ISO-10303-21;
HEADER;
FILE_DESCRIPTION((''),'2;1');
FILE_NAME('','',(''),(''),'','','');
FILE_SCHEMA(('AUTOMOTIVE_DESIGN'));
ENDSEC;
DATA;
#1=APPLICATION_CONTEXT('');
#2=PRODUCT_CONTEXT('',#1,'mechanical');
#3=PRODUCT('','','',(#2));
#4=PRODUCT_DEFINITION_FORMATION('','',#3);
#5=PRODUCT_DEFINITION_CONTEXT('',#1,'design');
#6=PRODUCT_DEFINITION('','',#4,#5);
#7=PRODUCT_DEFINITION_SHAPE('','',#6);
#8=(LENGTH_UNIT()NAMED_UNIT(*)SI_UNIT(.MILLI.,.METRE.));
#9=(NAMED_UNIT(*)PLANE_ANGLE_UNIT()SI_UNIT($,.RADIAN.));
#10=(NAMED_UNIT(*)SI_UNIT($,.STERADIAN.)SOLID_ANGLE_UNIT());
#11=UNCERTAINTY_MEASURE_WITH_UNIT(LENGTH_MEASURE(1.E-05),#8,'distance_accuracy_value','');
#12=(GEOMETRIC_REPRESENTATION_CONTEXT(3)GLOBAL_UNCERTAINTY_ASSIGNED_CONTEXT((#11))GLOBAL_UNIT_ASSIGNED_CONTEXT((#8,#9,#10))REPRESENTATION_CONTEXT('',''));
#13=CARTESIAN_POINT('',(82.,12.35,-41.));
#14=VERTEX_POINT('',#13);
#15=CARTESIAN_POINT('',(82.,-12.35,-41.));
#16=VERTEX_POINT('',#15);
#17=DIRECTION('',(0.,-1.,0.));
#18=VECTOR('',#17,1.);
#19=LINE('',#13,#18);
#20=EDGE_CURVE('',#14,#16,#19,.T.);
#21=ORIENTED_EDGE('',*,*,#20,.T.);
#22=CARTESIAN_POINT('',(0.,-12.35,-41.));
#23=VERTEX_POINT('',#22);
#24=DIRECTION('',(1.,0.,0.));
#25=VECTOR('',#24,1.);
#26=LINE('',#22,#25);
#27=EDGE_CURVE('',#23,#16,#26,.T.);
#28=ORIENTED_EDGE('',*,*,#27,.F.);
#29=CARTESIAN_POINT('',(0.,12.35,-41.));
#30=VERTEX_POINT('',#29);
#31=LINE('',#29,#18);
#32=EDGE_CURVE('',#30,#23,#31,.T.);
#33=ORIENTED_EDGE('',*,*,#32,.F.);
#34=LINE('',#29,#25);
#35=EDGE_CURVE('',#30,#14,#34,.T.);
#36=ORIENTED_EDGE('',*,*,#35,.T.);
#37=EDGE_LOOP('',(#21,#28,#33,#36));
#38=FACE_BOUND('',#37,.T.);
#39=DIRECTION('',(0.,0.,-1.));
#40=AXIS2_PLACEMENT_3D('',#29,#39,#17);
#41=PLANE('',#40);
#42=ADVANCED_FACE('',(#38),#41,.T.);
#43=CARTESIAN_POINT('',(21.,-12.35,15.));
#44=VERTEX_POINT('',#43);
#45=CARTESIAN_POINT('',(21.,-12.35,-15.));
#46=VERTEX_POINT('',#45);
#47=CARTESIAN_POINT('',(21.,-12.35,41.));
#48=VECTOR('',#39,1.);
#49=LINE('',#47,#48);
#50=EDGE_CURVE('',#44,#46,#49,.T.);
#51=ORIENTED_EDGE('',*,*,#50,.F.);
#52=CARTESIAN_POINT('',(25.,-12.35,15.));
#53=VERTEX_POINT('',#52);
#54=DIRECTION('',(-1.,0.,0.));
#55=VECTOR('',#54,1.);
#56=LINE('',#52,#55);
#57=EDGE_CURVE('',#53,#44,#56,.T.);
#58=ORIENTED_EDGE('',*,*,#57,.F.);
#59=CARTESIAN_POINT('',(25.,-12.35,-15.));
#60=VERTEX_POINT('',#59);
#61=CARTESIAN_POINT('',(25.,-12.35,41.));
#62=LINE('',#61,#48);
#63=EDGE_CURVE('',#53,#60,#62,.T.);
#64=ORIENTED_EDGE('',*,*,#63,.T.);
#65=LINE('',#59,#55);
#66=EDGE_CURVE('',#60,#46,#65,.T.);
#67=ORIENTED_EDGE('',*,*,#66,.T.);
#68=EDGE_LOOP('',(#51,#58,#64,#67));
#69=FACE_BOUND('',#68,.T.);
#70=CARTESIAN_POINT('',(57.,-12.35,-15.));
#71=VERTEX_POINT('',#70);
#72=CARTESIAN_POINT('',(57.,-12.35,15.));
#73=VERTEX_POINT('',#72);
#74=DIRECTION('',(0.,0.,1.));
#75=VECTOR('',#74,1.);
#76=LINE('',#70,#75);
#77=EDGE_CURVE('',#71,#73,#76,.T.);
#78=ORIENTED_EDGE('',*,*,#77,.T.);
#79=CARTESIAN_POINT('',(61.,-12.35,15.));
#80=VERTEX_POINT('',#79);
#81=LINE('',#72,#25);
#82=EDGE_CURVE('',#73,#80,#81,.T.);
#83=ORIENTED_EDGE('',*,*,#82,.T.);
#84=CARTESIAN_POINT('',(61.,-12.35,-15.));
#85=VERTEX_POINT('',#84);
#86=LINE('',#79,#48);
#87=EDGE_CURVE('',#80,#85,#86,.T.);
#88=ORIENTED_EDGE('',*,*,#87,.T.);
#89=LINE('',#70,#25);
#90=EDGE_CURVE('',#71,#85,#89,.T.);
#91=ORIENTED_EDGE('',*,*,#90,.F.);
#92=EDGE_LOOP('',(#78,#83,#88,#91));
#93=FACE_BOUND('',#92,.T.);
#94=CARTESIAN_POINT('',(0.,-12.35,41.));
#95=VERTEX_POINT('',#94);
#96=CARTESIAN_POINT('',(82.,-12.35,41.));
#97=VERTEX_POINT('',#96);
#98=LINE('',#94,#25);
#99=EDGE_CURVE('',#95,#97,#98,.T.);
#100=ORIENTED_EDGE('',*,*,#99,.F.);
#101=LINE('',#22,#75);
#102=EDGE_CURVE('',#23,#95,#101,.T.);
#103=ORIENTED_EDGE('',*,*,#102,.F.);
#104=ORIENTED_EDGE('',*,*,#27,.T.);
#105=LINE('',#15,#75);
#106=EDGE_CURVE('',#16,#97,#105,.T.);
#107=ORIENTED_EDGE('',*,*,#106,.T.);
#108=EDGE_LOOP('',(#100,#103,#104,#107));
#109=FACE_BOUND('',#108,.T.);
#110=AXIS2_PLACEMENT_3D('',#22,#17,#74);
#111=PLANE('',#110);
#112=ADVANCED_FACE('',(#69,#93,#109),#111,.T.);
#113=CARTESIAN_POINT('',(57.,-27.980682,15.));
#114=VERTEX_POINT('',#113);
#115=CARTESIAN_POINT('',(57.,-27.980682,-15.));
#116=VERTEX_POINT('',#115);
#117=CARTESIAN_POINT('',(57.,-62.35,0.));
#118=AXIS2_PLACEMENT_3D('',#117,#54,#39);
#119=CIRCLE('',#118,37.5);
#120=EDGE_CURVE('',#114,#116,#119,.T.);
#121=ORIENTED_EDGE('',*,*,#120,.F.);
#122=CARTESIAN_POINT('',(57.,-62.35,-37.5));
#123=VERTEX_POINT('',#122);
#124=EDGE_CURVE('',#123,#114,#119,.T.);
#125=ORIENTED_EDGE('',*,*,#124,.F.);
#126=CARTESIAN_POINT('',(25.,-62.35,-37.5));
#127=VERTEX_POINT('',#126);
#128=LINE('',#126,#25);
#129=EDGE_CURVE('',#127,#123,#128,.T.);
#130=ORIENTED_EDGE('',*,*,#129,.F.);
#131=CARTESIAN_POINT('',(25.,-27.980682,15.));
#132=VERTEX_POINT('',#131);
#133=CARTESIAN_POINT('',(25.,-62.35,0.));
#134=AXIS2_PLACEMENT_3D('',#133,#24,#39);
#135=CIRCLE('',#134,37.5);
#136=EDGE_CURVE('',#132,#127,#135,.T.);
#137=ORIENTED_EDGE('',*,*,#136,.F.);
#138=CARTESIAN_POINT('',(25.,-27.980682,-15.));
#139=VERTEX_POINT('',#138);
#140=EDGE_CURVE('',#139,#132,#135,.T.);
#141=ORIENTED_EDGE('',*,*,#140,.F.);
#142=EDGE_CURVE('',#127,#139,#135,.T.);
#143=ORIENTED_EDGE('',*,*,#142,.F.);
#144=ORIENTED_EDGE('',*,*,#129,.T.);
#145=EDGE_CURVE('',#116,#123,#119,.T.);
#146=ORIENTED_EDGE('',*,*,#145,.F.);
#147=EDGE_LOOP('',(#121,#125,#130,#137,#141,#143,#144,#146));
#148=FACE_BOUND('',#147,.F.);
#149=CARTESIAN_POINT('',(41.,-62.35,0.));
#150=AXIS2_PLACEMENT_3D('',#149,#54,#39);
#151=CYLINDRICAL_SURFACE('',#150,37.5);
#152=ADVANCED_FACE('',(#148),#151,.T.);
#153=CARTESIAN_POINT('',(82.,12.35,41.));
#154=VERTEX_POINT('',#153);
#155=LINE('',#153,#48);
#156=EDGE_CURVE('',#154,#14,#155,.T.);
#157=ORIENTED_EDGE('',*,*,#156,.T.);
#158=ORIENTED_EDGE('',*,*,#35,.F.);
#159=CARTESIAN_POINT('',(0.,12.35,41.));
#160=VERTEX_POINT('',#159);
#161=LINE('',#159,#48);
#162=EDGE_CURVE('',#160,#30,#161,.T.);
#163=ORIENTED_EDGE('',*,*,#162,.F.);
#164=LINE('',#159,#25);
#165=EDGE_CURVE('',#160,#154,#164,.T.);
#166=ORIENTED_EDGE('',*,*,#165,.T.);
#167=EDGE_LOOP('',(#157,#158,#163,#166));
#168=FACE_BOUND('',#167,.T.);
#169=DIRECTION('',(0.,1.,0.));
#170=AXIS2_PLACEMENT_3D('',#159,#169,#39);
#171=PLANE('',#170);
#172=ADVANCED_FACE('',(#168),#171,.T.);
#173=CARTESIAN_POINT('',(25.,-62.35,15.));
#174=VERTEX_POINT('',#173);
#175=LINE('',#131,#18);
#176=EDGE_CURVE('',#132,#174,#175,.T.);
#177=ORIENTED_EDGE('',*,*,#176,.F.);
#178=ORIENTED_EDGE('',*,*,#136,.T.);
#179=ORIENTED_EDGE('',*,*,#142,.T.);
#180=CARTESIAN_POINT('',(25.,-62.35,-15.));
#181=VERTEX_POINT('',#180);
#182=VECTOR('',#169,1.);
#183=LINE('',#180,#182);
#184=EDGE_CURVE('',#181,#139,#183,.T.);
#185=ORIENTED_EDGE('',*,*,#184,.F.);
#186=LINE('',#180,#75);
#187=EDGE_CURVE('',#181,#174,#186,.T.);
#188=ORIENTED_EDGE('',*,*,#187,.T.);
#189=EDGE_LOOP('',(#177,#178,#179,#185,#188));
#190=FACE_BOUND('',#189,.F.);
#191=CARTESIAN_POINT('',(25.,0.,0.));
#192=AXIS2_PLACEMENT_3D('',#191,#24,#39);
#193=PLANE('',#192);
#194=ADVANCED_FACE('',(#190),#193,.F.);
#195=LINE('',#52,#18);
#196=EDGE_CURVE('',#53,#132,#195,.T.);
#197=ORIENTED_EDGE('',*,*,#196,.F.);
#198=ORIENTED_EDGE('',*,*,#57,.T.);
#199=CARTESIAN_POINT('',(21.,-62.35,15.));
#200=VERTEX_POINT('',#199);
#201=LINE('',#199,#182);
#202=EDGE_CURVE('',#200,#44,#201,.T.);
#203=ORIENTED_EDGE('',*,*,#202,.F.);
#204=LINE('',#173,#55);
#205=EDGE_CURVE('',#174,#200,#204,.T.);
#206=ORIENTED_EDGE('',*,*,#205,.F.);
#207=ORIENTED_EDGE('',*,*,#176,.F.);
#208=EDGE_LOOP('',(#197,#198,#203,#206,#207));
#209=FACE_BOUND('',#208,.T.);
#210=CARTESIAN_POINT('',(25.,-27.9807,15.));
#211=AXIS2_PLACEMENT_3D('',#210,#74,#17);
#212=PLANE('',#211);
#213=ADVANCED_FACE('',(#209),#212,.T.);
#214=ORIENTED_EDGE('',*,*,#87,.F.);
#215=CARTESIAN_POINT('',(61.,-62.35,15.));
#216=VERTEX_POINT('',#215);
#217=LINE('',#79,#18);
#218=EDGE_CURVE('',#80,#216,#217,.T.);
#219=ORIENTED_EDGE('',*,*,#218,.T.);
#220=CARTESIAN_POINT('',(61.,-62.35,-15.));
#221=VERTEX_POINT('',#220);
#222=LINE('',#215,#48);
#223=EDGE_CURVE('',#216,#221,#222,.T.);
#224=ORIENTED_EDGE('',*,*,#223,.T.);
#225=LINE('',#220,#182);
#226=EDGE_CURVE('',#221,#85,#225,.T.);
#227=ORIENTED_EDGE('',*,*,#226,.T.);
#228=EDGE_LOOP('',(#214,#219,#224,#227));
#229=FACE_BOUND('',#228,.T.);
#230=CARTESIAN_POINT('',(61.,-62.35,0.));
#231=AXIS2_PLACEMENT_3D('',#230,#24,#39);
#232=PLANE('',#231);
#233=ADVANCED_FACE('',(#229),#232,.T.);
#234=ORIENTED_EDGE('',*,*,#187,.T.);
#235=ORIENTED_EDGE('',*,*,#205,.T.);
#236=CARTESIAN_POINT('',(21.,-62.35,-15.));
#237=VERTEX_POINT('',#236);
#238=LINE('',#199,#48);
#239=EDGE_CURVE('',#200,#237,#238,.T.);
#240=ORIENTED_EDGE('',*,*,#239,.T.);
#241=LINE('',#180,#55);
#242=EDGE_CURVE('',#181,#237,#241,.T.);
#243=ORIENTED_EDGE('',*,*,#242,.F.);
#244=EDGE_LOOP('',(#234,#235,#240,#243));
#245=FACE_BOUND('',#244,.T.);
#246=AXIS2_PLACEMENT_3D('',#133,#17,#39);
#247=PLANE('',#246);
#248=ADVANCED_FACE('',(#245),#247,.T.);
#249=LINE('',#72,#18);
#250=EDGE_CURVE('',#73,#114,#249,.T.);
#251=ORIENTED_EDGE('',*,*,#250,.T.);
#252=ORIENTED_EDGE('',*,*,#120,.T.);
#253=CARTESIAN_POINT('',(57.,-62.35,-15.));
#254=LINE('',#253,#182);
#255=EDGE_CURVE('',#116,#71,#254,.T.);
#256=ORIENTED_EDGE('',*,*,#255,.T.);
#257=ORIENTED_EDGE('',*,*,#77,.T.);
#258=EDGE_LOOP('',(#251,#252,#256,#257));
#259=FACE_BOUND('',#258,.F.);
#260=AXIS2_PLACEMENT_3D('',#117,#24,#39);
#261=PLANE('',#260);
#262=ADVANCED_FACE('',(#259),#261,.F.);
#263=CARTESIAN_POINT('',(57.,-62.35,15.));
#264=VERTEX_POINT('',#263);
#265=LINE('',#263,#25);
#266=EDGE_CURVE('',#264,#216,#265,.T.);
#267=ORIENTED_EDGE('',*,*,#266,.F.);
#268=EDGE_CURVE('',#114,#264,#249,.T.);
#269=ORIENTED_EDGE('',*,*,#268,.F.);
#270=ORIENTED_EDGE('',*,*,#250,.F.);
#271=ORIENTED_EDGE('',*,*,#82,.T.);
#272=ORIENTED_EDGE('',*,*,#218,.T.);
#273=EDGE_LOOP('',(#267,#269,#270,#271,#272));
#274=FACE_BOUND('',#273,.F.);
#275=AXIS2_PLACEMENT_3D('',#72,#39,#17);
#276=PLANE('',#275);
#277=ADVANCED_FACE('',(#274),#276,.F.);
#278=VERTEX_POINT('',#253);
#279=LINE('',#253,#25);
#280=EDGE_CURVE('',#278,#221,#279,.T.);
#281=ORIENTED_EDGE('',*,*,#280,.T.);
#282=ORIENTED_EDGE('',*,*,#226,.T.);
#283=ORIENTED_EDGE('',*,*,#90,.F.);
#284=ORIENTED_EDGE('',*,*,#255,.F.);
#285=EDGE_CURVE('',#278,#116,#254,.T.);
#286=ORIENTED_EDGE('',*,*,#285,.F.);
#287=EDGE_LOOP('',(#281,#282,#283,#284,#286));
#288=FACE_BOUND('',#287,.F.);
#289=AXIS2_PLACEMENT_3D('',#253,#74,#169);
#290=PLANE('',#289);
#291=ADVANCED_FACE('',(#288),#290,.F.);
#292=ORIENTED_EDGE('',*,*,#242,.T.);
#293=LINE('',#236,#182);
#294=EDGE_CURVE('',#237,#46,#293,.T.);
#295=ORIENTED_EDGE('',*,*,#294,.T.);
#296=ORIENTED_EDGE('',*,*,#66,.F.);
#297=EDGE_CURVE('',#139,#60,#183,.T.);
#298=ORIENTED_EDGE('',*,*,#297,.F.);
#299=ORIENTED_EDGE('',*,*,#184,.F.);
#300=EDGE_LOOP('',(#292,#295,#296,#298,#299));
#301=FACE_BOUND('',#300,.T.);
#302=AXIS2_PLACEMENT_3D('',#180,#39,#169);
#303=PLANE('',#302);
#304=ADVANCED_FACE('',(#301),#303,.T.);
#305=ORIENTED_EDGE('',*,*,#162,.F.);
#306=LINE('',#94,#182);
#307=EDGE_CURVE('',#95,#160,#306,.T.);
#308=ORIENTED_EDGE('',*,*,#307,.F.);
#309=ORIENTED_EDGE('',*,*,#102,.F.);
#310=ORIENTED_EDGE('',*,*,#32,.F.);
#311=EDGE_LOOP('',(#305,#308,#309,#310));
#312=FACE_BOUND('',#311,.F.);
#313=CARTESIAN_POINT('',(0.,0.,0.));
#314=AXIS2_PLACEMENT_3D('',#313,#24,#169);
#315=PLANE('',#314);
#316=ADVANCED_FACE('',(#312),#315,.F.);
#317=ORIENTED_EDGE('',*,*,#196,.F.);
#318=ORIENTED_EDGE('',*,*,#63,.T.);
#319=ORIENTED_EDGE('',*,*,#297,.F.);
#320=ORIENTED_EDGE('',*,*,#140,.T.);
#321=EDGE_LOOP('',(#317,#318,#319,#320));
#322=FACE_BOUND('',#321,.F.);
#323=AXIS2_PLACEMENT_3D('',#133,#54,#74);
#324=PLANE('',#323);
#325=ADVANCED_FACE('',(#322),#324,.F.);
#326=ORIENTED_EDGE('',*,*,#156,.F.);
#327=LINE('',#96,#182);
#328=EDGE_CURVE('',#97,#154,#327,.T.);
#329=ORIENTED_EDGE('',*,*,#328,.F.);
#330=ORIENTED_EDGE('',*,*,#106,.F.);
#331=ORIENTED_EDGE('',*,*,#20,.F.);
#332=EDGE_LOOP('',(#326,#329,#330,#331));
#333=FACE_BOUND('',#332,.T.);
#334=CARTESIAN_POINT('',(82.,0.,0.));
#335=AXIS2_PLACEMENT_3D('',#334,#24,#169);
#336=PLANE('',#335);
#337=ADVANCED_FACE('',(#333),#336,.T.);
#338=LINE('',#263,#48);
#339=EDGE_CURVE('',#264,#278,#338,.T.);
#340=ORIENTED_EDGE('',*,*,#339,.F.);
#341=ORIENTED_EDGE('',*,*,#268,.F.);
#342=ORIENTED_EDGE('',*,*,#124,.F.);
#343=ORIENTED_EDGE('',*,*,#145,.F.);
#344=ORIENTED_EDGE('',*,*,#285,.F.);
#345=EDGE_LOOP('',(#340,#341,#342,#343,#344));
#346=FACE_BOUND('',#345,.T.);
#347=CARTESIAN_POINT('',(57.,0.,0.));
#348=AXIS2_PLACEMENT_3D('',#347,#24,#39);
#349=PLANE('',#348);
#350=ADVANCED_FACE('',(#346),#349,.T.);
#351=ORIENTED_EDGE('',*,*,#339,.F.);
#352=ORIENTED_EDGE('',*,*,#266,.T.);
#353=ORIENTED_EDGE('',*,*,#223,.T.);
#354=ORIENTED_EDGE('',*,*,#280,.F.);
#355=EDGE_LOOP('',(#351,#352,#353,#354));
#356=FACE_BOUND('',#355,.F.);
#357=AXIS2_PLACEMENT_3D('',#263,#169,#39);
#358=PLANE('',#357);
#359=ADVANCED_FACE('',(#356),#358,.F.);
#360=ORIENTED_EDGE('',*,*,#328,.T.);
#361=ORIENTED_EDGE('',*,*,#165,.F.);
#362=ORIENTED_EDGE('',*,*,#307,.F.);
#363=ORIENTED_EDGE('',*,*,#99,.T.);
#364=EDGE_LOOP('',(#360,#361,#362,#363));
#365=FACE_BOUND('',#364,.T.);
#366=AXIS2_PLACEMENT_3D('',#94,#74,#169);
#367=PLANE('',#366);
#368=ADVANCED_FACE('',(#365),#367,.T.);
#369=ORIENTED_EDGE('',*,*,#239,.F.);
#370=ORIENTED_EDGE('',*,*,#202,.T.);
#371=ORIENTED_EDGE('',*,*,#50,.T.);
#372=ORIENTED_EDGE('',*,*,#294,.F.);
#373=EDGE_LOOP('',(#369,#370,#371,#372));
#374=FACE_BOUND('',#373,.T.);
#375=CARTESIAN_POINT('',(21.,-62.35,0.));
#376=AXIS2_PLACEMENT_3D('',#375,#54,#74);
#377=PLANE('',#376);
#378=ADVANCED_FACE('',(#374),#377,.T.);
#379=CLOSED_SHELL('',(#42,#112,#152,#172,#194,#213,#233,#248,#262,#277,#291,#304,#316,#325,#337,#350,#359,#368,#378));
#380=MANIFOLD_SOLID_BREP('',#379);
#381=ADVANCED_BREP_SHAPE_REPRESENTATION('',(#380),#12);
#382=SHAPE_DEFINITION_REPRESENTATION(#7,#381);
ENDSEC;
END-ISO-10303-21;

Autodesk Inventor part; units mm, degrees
ref_plane "YZ Plane" through (0, 0, 0) normal (1, 0, 0) x (0, 1, 0)
ref_plane "XZ Plane" through (0, 0, 0) normal (0, 1, 0) x (-1, 0, 0)
ref_plane "XY Plane" through (0, 0, 0) normal (0, 0, 1) x (1, 0, 0)
sketch "스케치1" plane through (0, 0, 0) normal (1, 0, 0) x (0, 1, 0)
  line L0 (-12.35, 41) -> (12.35, 41)
  line L1 (12.35, 41) -> (12.35, -41)
  line L2 (12.35, -41) -> (-12.35, -41)
  line L3 (-12.35, -41) -> (-12.35, 41)
  line L4 (-12.35, 41) -> (12.35, -41) construction
  line L5 (12.35, 41) -> (-12.35, -41) construction
  point P0 (0, 0)
  dimension "d0" = 24.7
  dimension "d1" = 82
extrude "돌출1" add sketch "스케치1" along normal blind 82
ref_plane "작업 평면1" through (41, 0, 0) normal (1, 0, 0) x (0, 0, -1)
sketch "스케치2" plane through (41, 0, 0) normal (1, 0, 0) x (0, 0, -1)
  line L0 (-41, 12.35) -> (-41, -12.35) projected
  line L1 (-41, -12.35) -> (41, -12.35) projected
  line L2 (41, -12.35) -> (41, 12.35) projected
  line L3 (41, 12.35) -> (-41, 12.35) projected
  line L4 (0, -12.35) -> (0, -62.35)
  circle A0 centre (0, -62.35) radius 37.5
  point P0 (0, 0)
  dimension "d5" = 50
  dimension "d6" = 75
extrude "돌출2" add sketch "스케치2" along normal mid plane 32 contours A0
sketch "스케치3" plane through (57, -62.35, 0) normal (1, 0, 0) x (0, 0, -1)
  line L0 (-41, 50) -> (41, 50) projected
  line L1 (0, 50) -> (-15, 50)
  line L2 (-15, 50) -> (-15, 0)
  line L3 (-15, 0) -> (15, 0)
  line L4 (15, 0) -> (15, 50)
  point P0 (0, 62.35)
  dimension "d9" = 15
  dimension "d10" = 50
  dimension "d11" = 30
extrude "돌출3" add sketch "스케치3" along normal blind 4
sketch "스케치4" plane through (25, -62.35, 0) normal (-1, 0, 0) x (0, 0, 1)
  line L0 (0, 0) -> (-15, 0)
  line L1 (-15, 0) -> (-15, 50)
  line L2 (41, 50) -> (-41, 50) projected
  line L3 (15, 50) -> (15, 34.3693) projected
  line L4 (15, 50) -> (15, 0)
  line L5 (15, 0) -> (15, 34.3693) projected
  line L6 (-15, 0) -> (15, 0)
  line L7 (15, 50) -> (-15, 50)
  point P0 (0, 62.35)
extrude "돌출4" add sketch "스케치4" along normal blind 4
properties part number "Caster" material "고무"
